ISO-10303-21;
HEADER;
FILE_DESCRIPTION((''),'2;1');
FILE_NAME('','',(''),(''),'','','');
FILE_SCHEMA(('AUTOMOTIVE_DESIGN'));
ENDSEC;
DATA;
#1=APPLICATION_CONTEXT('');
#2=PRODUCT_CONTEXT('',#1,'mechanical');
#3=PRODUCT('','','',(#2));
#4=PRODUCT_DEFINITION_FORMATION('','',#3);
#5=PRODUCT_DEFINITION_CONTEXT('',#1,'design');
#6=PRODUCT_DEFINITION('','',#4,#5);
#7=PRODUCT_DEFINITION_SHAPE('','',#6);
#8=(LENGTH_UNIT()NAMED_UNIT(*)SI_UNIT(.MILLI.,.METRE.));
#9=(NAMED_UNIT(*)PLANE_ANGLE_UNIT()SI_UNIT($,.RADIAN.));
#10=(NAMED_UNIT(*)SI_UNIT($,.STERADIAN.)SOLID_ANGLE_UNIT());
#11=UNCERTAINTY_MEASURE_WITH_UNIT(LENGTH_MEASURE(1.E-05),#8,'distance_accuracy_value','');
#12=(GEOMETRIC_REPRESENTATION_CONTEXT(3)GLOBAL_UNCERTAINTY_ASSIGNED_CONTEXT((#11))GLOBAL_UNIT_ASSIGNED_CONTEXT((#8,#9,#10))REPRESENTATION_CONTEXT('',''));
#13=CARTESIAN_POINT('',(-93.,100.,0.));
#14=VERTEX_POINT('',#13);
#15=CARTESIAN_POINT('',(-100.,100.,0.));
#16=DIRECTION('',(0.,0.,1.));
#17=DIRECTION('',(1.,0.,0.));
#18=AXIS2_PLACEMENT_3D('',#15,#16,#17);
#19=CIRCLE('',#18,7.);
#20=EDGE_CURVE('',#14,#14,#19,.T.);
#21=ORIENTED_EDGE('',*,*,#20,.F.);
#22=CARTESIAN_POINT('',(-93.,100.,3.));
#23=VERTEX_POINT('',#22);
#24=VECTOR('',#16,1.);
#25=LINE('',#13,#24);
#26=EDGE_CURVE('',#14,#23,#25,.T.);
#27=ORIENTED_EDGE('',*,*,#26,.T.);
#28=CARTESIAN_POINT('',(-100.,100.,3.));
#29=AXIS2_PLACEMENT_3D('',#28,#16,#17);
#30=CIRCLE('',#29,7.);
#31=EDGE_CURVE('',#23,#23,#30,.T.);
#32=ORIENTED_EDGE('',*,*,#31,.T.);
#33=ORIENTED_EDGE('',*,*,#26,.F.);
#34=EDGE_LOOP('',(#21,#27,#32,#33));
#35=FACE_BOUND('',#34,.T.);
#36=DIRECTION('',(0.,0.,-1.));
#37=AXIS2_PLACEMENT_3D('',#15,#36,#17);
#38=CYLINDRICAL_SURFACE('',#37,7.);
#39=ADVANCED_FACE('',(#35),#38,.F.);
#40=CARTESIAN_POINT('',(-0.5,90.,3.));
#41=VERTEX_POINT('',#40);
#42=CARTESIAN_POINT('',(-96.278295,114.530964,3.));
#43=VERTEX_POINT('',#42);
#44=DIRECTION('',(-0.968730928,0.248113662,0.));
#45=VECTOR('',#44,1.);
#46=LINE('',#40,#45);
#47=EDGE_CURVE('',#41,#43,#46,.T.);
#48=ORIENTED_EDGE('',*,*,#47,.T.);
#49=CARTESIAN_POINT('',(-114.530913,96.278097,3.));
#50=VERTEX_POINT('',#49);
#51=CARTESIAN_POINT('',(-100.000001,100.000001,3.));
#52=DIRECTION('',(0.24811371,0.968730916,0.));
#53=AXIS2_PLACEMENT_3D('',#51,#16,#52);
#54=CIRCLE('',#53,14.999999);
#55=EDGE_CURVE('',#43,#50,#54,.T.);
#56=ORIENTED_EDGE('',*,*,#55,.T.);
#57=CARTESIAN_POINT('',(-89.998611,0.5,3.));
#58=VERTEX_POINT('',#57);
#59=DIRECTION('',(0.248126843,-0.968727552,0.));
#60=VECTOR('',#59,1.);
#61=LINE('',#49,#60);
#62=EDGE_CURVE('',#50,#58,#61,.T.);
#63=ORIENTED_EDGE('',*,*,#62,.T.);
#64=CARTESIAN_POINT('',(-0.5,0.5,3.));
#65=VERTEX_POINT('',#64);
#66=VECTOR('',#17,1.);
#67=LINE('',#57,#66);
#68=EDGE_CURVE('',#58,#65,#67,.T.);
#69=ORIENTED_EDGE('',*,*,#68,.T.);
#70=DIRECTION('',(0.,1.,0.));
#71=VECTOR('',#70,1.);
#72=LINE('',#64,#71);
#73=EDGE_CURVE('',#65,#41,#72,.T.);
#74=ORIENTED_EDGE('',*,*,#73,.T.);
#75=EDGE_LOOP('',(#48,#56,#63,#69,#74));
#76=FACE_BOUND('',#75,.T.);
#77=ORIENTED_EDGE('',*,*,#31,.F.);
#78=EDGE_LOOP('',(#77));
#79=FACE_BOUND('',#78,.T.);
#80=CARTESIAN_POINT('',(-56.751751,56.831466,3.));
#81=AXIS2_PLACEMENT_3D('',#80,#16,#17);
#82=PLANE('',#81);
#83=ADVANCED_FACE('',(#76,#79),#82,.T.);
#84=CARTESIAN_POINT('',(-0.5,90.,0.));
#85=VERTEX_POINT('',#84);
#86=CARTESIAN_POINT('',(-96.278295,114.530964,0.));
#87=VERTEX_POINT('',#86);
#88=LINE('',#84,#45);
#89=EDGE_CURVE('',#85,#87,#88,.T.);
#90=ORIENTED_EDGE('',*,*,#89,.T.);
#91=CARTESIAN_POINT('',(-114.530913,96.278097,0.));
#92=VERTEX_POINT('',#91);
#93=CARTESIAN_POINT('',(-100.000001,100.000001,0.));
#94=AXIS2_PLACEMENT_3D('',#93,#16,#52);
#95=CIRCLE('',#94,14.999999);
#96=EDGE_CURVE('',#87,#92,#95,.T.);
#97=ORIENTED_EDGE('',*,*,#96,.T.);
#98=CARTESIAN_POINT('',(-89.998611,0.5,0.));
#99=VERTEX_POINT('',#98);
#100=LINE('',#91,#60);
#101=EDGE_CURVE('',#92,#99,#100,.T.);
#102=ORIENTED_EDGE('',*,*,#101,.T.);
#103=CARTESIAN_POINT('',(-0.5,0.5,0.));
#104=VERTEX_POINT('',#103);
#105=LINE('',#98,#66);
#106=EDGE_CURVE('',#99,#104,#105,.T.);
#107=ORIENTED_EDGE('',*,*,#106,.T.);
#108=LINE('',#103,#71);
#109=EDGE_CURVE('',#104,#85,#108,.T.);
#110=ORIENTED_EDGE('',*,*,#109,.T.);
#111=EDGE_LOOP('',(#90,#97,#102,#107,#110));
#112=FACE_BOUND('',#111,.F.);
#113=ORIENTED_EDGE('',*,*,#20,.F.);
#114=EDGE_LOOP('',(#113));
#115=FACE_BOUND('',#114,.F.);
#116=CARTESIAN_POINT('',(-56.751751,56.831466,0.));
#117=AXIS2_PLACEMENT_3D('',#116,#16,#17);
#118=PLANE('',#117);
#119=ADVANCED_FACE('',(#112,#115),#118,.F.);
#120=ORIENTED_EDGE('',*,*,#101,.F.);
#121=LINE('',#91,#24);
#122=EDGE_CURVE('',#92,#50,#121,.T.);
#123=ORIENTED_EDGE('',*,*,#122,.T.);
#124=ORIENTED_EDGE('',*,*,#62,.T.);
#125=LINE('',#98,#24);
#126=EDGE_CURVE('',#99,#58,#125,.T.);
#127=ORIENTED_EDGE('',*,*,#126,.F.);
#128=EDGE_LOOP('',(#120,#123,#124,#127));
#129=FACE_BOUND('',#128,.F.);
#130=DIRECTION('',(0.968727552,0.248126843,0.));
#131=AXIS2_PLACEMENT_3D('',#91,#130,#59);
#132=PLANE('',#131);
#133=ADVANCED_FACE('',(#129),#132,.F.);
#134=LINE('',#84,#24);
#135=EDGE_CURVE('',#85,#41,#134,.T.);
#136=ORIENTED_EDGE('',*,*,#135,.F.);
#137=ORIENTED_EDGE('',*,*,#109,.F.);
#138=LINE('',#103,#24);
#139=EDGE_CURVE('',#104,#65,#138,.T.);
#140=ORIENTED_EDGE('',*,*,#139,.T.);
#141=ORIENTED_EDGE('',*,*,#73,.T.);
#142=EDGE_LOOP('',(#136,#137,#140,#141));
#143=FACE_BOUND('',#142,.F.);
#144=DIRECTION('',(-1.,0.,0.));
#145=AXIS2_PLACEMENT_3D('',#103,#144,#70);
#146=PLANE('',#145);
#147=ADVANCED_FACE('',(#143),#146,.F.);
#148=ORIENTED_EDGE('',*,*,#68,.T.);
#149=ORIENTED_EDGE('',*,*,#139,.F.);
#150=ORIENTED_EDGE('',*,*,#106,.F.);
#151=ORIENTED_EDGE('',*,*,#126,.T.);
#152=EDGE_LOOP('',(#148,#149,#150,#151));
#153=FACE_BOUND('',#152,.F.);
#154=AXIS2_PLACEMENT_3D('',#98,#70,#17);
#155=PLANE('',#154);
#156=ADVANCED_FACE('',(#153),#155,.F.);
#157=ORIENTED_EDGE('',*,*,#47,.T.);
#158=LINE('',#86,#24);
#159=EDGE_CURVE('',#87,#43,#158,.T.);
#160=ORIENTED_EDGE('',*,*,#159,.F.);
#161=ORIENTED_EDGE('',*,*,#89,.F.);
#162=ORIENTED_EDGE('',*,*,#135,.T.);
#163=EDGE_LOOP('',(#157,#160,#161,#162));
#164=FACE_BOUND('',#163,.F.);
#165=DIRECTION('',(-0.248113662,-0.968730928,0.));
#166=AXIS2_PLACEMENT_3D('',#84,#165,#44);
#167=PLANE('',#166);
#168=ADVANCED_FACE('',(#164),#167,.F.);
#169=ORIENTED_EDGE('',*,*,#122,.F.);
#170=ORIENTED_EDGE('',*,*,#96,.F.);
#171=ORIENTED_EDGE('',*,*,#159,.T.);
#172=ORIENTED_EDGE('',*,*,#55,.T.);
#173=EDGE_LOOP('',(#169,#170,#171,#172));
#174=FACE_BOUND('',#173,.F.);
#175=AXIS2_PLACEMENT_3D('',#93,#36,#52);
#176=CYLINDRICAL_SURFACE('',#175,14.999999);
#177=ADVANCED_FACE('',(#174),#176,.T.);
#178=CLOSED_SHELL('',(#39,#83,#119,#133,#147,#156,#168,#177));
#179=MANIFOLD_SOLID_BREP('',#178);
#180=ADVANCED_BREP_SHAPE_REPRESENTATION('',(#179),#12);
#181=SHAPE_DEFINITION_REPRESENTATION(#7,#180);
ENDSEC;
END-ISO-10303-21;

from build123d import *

# Parameters (mm, degrees)
F1_R     = 7
F2_DEPTH = 3


with BuildPart() as f2:
    # F1 (on Top) → F2 (new body)
    with BuildSketch(Plane.XY):
        with BuildLine():
            ThreePointArc((-96.278295, 114.530964), (-88.15041, 109.197131), (-85, 100))
            ThreePointArc((-85, 100), (-98.124327, 85.117734), (-114.530913, 96.278097))
            Line((-114.530913, 96.278097), (-89.998611, 0.5))
            Line((-89.998611, 0.5), (-0.5, 0.5))
            Line((-0.5, 0.5), (-0.5, 90))
            Line((-0.5, 90), (-96.278295, 114.530964))
        make_face()
        with BuildLine():
            ThreePointArc((-114.530913, 96.278097), (-98.124327, 85.117734), (-85, 100))
            ThreePointArc((-85, 100), (-88.15041, 109.197131), (-96.278295, 114.530964))
            ThreePointArc((-96.278295, 114.530964), (-110.606674, 110.60653), (-114.530913, 96.278097))
        make_face()
        with Locations((-100, 100)):
            Circle(F1_R, mode=Mode.SUBTRACT)
    extrude(amount=F2_DEPTH)


solid = f2.part
